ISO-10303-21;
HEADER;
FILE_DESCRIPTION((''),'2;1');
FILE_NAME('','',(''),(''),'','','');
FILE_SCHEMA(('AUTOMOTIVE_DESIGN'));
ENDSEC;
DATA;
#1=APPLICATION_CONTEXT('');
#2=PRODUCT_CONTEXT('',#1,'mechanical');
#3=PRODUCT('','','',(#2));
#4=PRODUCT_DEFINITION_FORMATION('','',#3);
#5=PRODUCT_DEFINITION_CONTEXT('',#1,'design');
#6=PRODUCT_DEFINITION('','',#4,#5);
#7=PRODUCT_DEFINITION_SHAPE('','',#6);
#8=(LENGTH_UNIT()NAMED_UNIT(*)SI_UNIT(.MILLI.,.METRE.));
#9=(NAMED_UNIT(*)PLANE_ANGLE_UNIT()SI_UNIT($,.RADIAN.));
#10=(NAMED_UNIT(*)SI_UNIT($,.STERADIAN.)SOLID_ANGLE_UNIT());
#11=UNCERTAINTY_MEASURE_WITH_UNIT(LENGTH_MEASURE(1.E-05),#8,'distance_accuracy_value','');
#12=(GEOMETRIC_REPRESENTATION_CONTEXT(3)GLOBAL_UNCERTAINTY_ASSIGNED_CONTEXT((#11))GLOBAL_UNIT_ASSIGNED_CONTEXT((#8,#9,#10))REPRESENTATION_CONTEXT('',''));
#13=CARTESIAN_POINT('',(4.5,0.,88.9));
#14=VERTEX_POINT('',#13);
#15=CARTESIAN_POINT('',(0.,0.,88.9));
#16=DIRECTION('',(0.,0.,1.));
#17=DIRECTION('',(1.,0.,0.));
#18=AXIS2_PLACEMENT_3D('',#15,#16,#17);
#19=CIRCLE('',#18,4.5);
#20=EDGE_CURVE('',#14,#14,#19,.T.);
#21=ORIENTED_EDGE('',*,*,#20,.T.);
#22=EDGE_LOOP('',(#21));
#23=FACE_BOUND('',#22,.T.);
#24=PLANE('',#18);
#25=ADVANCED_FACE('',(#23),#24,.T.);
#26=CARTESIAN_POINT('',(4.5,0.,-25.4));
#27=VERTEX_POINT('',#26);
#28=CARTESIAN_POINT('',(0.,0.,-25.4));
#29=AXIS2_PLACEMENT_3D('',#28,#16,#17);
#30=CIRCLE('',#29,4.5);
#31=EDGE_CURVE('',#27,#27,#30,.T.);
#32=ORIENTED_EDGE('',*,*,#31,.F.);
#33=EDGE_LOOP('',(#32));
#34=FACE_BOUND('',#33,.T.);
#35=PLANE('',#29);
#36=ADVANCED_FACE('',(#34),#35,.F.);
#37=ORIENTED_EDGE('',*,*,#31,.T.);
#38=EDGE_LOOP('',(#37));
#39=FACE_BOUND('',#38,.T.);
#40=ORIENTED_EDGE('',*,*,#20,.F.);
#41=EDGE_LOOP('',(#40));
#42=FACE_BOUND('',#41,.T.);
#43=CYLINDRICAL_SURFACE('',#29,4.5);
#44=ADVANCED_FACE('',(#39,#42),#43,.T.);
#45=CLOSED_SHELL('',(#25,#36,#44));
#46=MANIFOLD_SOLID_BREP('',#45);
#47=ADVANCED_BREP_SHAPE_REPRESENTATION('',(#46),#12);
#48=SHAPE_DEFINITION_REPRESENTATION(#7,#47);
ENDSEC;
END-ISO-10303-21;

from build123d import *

# Parameters (mm, degrees)
SKETCH4_R           = 4.5
BOSS_EXTRUDE4_DEPTH = 114.3


with BuildPart() as part:
    # Sketch4 → Boss-Extrude4 (new body)
    with BuildSketch(Plane.XY.offset(88.9)):
        Circle(SKETCH4_R)
    extrude(amount=-BOSS_EXTRUDE4_DEPTH)


solid = part.part
